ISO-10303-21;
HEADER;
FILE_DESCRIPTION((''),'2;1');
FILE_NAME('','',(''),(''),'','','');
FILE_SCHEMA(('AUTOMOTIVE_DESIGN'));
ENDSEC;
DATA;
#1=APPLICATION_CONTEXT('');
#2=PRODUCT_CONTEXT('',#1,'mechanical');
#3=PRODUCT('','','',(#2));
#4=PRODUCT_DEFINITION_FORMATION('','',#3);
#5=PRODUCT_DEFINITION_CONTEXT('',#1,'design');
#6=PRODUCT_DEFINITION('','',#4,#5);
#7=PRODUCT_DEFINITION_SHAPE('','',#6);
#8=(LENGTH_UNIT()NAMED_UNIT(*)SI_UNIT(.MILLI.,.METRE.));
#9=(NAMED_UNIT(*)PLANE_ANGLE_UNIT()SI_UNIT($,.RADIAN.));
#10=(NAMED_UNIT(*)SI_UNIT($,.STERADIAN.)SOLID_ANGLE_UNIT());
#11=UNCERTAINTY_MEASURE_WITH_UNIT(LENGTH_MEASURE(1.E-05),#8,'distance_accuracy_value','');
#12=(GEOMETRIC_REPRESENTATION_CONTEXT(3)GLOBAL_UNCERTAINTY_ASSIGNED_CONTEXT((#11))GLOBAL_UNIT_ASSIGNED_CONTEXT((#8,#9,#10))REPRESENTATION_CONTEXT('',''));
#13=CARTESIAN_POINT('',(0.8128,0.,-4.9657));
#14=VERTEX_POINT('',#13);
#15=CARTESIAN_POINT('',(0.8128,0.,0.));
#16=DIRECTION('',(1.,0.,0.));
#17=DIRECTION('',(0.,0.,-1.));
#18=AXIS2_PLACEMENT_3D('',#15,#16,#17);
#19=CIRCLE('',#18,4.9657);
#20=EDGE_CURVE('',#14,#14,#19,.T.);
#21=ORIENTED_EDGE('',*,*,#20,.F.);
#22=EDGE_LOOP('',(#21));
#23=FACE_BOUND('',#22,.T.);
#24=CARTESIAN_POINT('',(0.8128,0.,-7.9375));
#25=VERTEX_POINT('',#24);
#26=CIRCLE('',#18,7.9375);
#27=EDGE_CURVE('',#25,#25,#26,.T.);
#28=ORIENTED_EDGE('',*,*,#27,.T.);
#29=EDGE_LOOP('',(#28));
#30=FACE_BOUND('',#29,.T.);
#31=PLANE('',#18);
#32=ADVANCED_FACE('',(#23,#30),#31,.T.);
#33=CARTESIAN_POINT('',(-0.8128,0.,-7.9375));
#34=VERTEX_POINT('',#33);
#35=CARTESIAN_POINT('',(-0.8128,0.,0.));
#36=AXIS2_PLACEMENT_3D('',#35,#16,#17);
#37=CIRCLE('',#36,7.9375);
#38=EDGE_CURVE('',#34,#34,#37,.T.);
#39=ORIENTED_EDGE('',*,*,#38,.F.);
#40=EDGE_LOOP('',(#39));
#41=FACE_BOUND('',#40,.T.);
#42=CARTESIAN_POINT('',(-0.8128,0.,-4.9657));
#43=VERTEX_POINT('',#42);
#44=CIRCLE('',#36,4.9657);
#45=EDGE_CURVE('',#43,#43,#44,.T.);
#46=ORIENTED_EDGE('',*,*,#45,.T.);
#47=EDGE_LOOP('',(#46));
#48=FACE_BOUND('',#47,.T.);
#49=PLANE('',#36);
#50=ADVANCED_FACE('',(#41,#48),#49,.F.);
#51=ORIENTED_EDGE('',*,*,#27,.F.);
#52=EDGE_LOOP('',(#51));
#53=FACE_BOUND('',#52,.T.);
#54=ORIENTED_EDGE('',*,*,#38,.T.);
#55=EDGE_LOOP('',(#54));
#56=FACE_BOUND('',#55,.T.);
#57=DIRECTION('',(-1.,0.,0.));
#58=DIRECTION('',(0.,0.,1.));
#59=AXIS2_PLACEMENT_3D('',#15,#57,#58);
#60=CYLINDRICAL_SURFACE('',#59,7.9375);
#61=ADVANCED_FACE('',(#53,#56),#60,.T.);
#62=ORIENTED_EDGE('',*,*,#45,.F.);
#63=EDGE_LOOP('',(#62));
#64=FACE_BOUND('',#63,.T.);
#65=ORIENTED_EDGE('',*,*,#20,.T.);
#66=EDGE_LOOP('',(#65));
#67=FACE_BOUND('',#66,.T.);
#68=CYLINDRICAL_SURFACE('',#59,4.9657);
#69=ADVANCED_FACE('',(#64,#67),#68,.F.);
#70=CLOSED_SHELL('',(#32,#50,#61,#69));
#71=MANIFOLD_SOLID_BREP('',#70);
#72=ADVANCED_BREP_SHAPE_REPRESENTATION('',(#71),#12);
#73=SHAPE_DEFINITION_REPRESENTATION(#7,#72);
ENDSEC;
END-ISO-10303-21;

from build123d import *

# Parameters (mm, degrees)
SKETCH1_R           = 7.9375
SKETCH1_R_2         = 4.9657
BOSS_EXTRUDE1_DEPTH = 0.8128


with BuildPart() as part:
    # Sketch1 → Boss-Extrude1 (new, symmetric)
    with BuildSketch(Plane(origin=(0, 0, 0), x_dir=(0, 0, -1), z_dir=(1, 0, 0))):
        Circle(SKETCH1_R)
        Circle(SKETCH1_R_2, mode=Mode.SUBTRACT)
    extrude(amount=BOSS_EXTRUDE1_DEPTH, both=True)


solid = part.part
